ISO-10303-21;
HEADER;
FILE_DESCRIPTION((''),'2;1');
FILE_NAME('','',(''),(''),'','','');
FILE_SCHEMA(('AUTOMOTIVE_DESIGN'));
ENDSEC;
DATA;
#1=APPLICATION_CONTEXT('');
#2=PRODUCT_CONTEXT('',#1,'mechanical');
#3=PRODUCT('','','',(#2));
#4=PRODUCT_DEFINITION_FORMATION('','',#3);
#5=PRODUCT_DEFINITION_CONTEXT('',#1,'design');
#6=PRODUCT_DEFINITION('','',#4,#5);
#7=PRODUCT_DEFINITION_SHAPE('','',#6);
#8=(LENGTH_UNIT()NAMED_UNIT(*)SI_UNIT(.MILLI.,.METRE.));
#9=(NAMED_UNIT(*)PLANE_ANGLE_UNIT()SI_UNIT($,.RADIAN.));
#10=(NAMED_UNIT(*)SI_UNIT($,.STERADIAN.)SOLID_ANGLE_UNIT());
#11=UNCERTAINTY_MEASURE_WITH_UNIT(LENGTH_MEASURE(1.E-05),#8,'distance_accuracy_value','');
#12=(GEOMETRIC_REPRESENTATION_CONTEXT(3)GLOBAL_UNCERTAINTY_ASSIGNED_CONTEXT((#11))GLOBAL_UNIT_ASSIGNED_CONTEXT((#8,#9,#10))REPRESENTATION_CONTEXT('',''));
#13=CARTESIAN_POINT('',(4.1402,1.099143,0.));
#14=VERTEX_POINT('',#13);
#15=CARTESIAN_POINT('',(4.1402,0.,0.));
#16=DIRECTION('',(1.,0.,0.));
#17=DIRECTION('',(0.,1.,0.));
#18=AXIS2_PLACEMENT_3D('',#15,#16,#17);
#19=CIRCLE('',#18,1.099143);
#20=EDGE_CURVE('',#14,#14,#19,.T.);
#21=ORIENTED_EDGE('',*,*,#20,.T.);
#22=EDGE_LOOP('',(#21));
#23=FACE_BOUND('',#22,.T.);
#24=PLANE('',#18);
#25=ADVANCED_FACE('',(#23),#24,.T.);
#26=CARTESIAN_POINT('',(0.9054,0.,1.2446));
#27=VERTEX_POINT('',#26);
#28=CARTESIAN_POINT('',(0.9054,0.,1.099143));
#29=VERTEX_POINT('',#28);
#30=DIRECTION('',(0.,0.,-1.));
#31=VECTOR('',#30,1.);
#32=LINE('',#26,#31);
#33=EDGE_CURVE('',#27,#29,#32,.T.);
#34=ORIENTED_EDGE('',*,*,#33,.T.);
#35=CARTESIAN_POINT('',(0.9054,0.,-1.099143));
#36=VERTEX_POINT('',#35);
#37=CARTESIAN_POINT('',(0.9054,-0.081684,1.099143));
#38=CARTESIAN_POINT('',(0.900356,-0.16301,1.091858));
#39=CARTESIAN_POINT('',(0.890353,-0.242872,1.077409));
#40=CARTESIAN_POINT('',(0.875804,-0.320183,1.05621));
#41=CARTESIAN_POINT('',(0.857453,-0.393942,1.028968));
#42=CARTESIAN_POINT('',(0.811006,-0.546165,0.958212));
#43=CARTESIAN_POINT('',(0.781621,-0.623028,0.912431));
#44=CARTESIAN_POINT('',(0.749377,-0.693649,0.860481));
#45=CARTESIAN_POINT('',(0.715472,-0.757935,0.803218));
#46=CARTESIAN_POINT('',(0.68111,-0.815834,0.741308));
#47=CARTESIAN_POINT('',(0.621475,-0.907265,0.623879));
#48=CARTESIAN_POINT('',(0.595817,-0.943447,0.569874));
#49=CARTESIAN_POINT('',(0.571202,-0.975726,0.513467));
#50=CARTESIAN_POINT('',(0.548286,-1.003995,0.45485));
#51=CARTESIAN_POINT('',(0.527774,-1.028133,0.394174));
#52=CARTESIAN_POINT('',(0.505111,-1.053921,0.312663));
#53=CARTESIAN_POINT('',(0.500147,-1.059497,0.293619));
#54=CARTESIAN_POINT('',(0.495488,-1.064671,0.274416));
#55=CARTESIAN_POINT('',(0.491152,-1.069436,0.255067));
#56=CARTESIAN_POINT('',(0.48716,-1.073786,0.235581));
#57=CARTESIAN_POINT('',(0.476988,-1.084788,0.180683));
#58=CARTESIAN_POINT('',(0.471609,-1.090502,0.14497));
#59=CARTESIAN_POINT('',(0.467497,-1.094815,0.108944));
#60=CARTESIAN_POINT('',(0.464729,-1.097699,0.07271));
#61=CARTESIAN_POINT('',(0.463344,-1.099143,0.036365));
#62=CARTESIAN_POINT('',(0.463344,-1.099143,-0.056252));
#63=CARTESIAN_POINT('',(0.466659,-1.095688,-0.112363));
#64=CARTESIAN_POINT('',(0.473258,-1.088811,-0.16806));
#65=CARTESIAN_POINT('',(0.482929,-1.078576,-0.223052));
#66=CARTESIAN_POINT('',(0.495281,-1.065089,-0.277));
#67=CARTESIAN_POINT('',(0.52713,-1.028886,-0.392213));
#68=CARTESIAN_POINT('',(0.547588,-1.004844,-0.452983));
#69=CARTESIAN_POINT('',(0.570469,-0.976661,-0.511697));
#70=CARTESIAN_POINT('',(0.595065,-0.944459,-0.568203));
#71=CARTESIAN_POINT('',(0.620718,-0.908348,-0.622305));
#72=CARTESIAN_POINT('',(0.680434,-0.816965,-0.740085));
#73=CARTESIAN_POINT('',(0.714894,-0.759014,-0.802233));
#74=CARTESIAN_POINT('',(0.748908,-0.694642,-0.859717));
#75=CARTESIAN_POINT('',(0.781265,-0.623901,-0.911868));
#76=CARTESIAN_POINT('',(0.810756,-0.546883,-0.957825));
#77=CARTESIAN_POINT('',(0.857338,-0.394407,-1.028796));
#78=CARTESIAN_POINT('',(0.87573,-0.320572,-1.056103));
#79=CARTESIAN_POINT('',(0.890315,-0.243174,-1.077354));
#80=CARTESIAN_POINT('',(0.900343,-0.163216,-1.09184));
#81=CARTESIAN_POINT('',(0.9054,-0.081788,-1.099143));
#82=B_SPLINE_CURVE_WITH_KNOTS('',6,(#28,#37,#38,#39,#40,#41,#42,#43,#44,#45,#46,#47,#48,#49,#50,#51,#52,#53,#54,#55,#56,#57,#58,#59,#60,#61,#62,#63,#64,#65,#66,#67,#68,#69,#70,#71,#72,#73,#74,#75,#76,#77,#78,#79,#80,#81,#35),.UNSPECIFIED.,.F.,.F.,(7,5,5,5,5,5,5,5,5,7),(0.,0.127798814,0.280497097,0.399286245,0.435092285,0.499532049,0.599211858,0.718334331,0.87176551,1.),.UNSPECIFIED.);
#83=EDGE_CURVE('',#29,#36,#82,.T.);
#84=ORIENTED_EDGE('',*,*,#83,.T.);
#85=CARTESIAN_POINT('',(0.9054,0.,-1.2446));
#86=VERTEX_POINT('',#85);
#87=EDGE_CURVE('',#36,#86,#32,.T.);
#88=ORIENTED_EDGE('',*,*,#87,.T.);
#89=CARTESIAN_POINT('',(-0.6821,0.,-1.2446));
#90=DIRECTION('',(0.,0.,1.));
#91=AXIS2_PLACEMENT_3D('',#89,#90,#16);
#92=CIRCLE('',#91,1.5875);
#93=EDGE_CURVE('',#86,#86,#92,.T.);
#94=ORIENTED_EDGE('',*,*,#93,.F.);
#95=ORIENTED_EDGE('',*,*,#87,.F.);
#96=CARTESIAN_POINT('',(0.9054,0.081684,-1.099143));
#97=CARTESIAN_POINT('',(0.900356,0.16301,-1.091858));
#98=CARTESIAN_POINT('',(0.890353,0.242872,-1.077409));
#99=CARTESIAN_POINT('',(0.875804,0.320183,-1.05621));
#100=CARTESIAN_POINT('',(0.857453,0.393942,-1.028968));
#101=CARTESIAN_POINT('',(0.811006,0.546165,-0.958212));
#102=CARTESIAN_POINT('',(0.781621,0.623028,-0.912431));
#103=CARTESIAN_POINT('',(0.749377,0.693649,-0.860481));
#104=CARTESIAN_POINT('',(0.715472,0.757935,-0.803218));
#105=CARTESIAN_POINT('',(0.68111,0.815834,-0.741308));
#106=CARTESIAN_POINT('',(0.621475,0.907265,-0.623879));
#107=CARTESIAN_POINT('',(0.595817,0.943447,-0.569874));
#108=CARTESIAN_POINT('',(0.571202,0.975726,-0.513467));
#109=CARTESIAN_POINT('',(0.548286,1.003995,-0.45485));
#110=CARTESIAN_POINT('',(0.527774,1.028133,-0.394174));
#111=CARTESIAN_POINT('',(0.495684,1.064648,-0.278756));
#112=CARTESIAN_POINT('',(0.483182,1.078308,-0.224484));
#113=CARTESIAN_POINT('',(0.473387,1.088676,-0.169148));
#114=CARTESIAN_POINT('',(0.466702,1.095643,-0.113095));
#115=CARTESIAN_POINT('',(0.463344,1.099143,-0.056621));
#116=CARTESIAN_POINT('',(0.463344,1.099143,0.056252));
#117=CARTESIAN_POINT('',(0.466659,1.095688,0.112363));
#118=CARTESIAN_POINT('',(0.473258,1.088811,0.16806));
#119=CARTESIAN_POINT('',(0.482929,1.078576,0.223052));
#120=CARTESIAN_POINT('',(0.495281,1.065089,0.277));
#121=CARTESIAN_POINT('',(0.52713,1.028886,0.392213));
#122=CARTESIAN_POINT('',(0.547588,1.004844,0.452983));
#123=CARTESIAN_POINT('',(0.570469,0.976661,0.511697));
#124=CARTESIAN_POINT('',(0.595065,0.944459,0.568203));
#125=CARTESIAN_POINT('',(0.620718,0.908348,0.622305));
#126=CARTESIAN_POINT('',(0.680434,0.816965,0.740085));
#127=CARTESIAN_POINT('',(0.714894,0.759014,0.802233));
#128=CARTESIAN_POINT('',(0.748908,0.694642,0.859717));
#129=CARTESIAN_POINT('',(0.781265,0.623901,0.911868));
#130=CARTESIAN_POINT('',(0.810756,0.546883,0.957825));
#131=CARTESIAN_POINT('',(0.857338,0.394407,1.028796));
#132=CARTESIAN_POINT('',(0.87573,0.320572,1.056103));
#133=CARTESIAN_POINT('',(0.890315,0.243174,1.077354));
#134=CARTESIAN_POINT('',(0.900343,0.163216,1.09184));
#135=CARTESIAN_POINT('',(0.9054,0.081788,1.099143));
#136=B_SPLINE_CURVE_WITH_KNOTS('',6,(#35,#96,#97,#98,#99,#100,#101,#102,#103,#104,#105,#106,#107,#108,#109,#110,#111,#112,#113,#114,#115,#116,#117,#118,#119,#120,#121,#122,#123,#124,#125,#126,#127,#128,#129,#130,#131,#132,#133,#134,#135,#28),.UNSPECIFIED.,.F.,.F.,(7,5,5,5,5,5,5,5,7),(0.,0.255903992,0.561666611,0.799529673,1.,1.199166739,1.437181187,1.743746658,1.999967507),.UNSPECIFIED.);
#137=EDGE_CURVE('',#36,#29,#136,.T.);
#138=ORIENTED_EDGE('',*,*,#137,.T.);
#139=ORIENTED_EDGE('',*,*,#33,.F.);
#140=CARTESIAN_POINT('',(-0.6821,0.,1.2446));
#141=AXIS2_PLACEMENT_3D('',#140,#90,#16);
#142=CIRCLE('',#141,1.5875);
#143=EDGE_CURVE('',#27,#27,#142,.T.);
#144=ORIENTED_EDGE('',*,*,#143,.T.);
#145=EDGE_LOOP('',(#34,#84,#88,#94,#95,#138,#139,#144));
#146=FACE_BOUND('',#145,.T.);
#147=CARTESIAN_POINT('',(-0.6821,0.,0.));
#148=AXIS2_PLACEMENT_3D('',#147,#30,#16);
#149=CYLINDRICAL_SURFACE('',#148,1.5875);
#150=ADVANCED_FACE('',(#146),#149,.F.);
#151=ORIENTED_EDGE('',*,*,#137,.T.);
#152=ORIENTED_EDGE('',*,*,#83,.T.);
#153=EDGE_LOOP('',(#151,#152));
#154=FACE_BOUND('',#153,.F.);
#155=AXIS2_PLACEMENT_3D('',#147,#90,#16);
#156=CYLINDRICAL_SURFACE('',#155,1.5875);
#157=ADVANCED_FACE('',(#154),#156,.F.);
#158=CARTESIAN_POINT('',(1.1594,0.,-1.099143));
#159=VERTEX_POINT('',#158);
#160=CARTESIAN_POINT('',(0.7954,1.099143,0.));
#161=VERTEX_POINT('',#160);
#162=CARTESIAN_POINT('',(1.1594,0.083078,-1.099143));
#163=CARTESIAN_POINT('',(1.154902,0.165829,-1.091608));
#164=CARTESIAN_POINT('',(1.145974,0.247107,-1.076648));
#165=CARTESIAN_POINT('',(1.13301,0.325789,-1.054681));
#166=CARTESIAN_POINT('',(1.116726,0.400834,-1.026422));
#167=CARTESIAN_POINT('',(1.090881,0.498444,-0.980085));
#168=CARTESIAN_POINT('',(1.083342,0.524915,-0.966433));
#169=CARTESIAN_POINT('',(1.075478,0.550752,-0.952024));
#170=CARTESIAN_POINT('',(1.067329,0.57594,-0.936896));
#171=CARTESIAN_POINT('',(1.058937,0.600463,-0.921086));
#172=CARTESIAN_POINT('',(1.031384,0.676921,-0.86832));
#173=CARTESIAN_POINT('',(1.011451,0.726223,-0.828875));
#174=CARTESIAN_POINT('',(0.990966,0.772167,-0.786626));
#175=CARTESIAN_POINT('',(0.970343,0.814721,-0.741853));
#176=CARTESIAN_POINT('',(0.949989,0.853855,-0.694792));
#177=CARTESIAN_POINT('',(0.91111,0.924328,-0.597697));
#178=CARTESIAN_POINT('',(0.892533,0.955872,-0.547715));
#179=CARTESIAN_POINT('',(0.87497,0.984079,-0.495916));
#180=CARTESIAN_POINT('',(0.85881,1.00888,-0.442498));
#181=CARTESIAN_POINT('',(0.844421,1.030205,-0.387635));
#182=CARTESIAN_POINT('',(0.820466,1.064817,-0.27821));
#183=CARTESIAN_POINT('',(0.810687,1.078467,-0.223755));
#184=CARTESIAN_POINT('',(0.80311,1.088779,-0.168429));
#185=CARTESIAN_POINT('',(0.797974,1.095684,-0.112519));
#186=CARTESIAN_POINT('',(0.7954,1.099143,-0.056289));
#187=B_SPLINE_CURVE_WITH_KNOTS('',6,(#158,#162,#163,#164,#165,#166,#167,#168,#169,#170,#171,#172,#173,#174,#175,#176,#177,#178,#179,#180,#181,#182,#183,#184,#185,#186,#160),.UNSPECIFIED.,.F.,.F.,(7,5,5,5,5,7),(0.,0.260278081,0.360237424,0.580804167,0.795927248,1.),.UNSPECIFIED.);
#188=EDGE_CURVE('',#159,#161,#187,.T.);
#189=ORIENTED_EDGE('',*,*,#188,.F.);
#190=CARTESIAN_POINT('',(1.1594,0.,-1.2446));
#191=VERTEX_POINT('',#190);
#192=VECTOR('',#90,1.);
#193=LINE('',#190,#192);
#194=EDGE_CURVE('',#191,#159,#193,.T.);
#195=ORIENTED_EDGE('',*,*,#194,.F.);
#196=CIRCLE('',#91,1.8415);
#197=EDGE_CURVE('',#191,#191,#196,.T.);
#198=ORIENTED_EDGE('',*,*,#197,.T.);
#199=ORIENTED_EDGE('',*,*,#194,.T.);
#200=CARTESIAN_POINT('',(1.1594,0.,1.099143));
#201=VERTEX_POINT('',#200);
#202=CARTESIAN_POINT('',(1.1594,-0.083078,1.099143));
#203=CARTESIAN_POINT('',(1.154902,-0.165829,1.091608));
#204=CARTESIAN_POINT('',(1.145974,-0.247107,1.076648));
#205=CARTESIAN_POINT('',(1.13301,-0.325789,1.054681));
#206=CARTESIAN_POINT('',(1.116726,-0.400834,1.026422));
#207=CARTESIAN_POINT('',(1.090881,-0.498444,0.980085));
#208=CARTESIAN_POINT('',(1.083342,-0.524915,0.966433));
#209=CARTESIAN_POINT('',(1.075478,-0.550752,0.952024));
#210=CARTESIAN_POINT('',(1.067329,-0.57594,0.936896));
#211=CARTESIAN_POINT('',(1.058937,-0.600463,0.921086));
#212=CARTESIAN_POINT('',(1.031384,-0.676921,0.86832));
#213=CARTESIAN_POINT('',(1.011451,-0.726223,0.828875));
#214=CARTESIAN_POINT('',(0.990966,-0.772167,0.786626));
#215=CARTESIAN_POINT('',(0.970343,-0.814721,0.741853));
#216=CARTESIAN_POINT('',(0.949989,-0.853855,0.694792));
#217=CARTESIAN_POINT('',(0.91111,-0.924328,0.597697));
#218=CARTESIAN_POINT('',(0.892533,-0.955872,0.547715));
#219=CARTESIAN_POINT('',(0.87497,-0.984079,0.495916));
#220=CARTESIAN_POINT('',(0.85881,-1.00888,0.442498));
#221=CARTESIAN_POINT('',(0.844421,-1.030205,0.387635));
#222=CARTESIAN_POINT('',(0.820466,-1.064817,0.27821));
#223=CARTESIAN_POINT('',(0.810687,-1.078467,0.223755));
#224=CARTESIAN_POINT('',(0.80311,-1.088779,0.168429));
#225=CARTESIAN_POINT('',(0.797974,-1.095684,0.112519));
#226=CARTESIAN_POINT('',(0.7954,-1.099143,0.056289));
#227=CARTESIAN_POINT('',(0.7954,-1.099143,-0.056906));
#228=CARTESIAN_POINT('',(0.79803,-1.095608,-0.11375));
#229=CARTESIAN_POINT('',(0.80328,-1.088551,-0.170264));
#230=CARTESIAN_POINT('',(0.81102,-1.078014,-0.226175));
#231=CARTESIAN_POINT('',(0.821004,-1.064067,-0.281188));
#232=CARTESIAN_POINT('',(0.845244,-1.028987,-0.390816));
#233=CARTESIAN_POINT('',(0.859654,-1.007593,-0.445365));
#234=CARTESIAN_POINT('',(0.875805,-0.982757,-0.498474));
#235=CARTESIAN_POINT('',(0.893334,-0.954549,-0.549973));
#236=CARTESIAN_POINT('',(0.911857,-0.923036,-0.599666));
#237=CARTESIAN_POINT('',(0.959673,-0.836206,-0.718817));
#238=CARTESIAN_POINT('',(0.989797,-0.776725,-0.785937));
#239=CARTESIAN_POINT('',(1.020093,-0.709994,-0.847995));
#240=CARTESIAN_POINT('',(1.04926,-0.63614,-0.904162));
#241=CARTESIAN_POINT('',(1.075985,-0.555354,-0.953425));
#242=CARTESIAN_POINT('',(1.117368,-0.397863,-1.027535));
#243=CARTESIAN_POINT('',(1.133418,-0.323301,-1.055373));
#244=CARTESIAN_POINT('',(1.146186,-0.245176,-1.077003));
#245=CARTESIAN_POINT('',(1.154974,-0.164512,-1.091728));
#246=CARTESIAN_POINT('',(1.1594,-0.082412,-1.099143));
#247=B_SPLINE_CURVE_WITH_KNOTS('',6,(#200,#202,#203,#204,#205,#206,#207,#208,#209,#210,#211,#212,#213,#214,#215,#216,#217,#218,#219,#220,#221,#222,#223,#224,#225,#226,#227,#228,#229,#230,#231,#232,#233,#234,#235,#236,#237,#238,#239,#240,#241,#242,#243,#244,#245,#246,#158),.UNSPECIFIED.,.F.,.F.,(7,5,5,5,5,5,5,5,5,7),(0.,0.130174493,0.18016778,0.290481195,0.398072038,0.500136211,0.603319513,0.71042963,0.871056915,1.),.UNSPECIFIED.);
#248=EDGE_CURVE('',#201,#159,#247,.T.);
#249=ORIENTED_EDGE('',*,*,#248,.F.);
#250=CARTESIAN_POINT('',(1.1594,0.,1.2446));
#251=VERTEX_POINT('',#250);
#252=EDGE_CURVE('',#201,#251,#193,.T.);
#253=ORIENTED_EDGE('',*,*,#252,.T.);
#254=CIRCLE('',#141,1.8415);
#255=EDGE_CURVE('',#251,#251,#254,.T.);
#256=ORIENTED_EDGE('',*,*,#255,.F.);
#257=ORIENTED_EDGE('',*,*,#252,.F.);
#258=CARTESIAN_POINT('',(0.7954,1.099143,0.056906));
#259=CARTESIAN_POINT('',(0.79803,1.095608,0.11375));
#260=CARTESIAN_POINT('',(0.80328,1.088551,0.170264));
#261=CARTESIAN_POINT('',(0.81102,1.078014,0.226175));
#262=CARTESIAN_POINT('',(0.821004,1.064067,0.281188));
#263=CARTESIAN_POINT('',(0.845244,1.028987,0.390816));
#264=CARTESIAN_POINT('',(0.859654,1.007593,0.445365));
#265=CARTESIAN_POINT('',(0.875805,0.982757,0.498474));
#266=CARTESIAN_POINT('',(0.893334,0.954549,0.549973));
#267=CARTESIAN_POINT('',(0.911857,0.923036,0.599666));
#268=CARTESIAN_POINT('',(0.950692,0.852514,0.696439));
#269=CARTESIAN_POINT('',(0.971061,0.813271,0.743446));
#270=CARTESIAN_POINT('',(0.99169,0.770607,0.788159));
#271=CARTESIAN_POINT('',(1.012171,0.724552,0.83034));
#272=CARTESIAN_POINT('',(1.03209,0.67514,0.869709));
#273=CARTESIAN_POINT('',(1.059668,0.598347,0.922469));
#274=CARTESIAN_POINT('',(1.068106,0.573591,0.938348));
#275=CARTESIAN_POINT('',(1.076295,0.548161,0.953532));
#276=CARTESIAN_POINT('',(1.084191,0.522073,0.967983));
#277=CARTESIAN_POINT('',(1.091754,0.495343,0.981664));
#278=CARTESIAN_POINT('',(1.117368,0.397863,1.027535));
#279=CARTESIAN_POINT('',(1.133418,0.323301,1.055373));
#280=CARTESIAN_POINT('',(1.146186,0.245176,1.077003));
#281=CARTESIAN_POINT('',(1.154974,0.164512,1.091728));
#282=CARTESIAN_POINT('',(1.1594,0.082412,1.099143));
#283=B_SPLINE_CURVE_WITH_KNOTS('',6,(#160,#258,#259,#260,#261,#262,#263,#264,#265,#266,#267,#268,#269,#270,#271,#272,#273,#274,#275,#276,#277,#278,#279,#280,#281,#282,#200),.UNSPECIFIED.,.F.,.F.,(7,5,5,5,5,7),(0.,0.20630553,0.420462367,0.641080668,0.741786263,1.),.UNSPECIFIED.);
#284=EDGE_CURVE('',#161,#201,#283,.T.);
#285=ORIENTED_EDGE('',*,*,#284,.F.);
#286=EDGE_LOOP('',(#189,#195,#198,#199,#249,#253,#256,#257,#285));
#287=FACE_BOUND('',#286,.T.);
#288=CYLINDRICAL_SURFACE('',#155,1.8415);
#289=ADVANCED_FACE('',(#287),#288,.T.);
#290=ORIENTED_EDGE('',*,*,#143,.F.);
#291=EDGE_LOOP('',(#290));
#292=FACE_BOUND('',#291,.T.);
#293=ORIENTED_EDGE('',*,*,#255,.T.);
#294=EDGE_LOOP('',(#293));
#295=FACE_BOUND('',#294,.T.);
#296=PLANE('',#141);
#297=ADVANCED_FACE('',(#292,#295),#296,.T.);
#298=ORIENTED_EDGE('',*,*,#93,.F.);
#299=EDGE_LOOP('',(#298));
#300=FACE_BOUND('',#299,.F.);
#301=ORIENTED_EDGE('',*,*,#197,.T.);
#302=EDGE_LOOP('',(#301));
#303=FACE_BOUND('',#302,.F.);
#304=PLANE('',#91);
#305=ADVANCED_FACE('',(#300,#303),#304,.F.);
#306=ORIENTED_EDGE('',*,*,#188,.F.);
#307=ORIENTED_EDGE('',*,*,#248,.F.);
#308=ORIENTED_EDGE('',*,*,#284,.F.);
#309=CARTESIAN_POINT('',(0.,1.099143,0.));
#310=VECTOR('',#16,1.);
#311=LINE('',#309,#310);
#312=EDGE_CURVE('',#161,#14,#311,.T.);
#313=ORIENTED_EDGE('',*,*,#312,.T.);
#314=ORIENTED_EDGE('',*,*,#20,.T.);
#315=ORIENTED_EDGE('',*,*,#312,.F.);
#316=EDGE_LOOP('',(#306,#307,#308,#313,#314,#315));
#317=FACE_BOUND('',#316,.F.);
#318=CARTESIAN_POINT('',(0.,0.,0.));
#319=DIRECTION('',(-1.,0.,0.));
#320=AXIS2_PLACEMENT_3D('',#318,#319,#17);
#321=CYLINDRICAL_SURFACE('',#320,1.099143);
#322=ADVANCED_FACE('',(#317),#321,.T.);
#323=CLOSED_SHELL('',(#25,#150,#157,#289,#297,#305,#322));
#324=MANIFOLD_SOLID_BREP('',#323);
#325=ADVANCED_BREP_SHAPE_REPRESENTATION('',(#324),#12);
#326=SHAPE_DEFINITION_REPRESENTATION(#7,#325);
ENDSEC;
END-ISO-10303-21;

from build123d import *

# Parameters (mm, degrees)
F0_R     = 1.8415
F0_R_2   = 1.5875
F1_DEPTH = 1.2446
F2_R     = 1.099143
F3_DEPTH = 4.1402
F4_DEPTH = 12.7


with BuildPart() as f1:
    # F0 (on Top) → F1 (new body, symmetric)
    with BuildSketch(Plane.XY):
        with Locations((-0.6821, 0)):
            Circle(F0_R)
        with Locations((-0.6821, 0)):
            Circle(F0_R_2, mode=Mode.SUBTRACT)
    extrude(amount=F1_DEPTH, both=True)

    # F2 (on Right) → F3 (join)
    with BuildSketch(Plane.YZ):
        Circle(F2_R)
    extrude(amount=F3_DEPTH)

    # F0 (on Top) → F4 (cut, symmetric)
    with BuildSketch(Plane.XY):
        with Locations((-0.6821, 0)):
            Circle(F0_R_2)
    extrude(amount=F4_DEPTH, both=True, mode=Mode.SUBTRACT)


solid = f1.part
